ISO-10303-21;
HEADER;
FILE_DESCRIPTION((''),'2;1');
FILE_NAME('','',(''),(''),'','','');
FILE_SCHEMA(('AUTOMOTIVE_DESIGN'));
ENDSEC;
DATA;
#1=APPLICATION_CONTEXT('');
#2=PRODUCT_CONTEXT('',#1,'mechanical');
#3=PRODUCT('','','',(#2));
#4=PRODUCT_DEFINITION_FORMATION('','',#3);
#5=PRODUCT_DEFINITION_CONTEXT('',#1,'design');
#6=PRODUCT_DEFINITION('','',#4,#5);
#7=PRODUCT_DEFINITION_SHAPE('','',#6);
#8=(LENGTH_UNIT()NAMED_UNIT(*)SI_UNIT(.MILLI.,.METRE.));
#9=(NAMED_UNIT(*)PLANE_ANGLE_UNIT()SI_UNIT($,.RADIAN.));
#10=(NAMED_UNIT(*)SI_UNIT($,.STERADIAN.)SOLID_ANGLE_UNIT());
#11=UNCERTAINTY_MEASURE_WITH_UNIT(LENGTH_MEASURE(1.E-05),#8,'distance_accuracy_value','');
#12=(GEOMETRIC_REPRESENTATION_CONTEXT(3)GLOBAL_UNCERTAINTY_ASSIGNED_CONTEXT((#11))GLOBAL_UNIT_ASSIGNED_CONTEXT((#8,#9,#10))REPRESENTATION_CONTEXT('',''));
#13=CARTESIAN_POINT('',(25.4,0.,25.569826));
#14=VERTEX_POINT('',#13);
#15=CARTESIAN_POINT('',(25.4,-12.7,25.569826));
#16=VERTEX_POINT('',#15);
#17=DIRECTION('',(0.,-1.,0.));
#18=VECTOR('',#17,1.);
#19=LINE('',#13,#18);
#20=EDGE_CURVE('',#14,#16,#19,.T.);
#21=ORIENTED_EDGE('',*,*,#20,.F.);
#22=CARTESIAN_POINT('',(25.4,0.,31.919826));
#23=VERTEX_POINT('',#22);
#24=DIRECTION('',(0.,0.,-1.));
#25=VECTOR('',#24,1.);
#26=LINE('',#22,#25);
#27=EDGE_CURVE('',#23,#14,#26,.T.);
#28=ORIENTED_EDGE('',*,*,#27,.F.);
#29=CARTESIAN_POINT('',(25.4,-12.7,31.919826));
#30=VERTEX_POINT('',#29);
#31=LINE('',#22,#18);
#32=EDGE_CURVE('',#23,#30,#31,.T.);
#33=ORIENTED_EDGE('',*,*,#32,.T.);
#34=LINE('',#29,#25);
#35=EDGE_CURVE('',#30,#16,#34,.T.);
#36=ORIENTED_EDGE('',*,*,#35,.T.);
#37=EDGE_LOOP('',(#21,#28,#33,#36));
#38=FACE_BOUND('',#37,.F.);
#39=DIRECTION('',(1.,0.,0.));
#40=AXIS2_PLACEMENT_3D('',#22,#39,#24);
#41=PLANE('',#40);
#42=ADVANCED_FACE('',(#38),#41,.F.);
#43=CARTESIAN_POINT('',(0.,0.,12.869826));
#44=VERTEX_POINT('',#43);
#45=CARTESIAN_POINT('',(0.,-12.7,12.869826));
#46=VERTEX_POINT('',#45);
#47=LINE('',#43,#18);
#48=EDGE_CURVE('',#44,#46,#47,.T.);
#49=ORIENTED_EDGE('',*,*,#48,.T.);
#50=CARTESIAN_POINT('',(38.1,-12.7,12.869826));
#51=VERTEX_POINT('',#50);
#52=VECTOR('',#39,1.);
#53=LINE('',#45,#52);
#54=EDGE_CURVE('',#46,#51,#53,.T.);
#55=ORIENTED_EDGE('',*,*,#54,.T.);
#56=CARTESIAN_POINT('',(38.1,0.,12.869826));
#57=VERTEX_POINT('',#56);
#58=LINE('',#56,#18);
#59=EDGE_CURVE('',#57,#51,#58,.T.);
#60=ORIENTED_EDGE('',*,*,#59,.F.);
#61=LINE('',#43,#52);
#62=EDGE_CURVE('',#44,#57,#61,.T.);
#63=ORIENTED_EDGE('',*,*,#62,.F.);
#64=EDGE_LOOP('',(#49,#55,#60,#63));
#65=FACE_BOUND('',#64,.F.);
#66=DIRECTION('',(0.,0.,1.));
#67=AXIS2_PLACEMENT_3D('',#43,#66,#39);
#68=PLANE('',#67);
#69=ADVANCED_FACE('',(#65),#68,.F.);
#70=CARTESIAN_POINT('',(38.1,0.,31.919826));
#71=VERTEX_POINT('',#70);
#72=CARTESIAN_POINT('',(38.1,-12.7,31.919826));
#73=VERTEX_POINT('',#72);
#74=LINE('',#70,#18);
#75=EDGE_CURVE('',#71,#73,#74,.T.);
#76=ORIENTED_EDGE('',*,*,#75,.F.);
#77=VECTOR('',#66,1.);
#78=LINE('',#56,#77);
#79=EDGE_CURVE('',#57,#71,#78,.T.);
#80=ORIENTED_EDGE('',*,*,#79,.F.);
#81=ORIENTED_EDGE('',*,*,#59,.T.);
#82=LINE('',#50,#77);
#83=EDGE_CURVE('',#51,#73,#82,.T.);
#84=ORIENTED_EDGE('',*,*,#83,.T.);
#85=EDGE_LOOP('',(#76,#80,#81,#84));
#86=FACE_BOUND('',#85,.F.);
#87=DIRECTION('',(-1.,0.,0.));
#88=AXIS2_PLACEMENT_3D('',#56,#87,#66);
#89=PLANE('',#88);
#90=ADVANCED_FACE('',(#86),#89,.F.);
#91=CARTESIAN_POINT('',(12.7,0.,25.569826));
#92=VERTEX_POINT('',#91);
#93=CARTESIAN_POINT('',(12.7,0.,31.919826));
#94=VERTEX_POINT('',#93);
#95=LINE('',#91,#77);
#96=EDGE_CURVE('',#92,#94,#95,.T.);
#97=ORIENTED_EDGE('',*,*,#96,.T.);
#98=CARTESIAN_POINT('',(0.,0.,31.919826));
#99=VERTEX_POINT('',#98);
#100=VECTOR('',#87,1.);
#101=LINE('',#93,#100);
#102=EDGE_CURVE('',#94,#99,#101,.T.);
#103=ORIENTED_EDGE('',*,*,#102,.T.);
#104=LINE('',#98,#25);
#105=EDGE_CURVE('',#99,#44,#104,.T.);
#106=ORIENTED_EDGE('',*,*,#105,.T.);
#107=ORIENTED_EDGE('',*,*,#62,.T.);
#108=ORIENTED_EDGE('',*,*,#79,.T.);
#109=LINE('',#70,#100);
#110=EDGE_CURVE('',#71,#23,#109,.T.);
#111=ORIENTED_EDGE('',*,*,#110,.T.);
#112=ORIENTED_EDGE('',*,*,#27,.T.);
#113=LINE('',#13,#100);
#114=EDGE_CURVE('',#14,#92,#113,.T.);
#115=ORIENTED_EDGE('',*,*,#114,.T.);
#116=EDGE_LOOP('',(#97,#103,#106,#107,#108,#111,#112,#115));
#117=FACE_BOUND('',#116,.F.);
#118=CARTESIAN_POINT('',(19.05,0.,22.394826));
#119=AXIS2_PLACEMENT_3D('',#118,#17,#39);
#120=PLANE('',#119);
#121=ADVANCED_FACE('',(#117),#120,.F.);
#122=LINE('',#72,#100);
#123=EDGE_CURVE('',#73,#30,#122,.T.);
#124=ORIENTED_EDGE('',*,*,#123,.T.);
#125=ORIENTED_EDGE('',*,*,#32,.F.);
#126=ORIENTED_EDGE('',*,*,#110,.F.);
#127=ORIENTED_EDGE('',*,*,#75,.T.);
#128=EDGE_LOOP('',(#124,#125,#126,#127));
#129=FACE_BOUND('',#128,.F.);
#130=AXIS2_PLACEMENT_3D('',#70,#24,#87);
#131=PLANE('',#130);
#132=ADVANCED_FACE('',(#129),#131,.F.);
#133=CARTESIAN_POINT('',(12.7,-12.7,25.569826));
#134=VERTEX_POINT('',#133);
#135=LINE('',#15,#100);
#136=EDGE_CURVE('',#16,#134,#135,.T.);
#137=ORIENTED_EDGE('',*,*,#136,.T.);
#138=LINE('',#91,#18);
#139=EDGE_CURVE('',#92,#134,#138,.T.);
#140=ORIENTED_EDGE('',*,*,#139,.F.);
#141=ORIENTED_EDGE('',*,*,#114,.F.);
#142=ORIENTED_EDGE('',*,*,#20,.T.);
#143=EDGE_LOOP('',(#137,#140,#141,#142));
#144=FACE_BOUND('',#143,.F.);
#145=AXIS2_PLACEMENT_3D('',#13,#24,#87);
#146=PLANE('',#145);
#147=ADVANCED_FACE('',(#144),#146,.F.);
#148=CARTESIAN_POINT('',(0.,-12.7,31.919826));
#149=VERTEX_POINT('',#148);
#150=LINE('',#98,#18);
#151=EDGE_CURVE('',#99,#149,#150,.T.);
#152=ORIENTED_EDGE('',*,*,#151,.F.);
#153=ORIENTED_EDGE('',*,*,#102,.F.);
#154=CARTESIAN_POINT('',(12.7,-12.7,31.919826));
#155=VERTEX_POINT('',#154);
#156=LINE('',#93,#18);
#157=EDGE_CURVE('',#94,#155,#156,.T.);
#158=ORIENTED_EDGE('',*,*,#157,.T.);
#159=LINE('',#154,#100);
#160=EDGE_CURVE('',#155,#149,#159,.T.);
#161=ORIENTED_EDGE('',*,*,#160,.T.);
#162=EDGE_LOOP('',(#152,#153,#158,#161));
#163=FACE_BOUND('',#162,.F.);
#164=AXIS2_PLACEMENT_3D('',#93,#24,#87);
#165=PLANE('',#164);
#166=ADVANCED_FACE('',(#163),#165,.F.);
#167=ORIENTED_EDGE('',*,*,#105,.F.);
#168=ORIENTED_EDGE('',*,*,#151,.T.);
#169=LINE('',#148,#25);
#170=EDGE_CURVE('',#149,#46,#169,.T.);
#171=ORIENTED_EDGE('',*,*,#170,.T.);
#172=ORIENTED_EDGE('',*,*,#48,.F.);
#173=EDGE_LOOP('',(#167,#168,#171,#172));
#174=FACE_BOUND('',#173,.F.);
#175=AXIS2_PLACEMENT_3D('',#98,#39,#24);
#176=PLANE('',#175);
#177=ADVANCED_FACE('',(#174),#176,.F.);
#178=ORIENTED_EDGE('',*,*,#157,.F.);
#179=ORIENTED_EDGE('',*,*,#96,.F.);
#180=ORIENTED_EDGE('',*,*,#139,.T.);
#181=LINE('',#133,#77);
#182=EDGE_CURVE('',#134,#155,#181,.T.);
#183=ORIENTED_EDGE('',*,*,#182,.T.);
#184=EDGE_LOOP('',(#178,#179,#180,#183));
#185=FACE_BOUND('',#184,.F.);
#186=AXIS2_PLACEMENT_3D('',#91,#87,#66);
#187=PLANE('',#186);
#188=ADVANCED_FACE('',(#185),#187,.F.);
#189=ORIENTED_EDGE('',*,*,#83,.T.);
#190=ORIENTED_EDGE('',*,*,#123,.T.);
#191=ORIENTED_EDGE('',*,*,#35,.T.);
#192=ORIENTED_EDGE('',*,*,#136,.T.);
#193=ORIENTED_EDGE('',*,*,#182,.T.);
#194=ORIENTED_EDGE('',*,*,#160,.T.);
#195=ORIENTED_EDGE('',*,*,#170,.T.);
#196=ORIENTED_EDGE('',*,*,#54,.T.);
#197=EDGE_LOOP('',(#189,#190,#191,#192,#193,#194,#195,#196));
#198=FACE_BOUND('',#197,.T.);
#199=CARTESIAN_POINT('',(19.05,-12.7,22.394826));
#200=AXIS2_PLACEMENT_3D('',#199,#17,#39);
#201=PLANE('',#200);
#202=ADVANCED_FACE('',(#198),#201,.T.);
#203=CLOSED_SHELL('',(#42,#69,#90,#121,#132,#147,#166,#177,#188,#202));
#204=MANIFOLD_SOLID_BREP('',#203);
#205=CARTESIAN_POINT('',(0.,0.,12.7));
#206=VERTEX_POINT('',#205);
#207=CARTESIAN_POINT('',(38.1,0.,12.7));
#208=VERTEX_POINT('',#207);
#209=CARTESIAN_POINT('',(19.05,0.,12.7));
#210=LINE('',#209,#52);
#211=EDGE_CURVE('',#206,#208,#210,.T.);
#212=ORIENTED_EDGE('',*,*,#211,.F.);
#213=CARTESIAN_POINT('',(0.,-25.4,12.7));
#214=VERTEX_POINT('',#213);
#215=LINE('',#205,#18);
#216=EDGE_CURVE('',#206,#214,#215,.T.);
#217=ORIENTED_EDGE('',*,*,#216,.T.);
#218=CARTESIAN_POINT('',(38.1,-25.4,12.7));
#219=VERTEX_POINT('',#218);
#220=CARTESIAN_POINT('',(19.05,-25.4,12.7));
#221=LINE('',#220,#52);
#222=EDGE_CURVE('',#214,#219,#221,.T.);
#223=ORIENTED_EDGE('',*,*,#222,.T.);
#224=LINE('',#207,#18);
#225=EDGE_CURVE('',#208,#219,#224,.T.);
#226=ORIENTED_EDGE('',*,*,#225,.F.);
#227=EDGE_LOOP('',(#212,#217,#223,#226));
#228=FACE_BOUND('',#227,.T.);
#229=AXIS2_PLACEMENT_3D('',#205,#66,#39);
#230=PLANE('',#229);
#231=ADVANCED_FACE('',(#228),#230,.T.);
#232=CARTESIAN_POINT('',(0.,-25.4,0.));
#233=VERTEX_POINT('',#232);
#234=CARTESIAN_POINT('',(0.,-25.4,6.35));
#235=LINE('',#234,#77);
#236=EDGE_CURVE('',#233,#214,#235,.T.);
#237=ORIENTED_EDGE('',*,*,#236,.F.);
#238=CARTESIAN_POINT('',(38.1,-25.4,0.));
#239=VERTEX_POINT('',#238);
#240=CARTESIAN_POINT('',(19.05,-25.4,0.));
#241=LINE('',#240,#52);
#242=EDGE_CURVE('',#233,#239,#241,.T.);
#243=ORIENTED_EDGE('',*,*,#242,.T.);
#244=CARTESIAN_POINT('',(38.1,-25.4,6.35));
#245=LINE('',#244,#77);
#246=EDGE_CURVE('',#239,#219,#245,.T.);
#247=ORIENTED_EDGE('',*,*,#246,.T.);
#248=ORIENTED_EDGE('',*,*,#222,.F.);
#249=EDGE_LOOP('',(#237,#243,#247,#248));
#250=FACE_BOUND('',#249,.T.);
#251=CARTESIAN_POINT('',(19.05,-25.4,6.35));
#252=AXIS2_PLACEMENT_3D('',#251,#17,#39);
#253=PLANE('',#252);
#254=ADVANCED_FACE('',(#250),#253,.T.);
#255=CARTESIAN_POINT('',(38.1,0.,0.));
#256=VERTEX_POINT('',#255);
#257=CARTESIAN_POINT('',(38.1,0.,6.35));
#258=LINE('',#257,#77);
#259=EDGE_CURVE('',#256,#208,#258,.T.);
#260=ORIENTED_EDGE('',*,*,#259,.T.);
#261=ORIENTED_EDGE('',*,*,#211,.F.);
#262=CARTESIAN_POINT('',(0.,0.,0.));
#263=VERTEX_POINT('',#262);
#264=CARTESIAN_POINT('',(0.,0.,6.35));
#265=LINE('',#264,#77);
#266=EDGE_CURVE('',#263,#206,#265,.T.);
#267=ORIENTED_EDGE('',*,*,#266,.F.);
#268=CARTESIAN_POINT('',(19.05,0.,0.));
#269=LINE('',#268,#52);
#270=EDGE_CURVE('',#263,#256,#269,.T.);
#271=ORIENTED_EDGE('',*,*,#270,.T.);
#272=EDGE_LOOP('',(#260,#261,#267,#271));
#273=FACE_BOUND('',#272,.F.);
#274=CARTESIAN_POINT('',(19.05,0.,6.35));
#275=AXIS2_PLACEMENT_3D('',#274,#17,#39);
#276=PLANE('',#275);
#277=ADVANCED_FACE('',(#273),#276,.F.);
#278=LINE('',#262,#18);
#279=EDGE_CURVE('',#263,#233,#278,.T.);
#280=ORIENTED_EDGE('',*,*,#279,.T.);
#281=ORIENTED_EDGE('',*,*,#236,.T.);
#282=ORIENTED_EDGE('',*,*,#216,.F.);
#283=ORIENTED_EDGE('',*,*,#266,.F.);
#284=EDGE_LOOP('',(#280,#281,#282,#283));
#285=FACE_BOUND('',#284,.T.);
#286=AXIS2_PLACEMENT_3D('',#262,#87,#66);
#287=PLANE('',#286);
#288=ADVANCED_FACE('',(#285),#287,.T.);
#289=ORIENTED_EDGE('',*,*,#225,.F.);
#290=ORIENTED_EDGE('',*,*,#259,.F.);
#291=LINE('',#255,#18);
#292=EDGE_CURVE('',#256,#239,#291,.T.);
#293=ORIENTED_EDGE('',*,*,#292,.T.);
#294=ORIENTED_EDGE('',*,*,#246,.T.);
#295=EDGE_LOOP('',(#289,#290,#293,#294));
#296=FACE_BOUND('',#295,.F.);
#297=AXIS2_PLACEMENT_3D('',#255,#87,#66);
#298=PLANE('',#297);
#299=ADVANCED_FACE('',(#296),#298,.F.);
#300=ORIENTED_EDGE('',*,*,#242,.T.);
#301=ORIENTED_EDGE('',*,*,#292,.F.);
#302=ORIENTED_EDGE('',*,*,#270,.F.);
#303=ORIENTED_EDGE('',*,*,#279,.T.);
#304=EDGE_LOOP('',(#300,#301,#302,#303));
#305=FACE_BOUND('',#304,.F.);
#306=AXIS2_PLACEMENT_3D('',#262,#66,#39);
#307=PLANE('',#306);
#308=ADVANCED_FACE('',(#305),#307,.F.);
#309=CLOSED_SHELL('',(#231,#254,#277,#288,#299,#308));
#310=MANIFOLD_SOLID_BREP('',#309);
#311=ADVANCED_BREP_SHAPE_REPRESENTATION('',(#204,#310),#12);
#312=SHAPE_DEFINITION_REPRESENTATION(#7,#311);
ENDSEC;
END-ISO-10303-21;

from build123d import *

# Parameters (mm, degrees)
F0_W     = 38.1
F0_H     = 12.7
F1_DEPTH = 25.4
F3_DEPTH = 12.7


with BuildPart() as f1:
    # F0 (on Front) → F1 (new body)
    with BuildSketch(Plane.XZ):
        with Locations((19.05, 6.35)):
            Rectangle(F0_W, F0_H)
    extrude(amount=F1_DEPTH)


with BuildPart() as f3:
    # F2 (on Front) → F3 (new body)
    with BuildSketch(Plane.XZ):
        Polygon((0, 31.919826), (0, 12.869826), (38.1, 12.869826), (38.1, 31.919826), (25.4, 31.919826), (25.4, 25.569826), (12.7, 25.569826), (12.7, 31.919826), align=None)
    extrude(amount=F3_DEPTH)


solid = Compound([f1.part, f3.part])
